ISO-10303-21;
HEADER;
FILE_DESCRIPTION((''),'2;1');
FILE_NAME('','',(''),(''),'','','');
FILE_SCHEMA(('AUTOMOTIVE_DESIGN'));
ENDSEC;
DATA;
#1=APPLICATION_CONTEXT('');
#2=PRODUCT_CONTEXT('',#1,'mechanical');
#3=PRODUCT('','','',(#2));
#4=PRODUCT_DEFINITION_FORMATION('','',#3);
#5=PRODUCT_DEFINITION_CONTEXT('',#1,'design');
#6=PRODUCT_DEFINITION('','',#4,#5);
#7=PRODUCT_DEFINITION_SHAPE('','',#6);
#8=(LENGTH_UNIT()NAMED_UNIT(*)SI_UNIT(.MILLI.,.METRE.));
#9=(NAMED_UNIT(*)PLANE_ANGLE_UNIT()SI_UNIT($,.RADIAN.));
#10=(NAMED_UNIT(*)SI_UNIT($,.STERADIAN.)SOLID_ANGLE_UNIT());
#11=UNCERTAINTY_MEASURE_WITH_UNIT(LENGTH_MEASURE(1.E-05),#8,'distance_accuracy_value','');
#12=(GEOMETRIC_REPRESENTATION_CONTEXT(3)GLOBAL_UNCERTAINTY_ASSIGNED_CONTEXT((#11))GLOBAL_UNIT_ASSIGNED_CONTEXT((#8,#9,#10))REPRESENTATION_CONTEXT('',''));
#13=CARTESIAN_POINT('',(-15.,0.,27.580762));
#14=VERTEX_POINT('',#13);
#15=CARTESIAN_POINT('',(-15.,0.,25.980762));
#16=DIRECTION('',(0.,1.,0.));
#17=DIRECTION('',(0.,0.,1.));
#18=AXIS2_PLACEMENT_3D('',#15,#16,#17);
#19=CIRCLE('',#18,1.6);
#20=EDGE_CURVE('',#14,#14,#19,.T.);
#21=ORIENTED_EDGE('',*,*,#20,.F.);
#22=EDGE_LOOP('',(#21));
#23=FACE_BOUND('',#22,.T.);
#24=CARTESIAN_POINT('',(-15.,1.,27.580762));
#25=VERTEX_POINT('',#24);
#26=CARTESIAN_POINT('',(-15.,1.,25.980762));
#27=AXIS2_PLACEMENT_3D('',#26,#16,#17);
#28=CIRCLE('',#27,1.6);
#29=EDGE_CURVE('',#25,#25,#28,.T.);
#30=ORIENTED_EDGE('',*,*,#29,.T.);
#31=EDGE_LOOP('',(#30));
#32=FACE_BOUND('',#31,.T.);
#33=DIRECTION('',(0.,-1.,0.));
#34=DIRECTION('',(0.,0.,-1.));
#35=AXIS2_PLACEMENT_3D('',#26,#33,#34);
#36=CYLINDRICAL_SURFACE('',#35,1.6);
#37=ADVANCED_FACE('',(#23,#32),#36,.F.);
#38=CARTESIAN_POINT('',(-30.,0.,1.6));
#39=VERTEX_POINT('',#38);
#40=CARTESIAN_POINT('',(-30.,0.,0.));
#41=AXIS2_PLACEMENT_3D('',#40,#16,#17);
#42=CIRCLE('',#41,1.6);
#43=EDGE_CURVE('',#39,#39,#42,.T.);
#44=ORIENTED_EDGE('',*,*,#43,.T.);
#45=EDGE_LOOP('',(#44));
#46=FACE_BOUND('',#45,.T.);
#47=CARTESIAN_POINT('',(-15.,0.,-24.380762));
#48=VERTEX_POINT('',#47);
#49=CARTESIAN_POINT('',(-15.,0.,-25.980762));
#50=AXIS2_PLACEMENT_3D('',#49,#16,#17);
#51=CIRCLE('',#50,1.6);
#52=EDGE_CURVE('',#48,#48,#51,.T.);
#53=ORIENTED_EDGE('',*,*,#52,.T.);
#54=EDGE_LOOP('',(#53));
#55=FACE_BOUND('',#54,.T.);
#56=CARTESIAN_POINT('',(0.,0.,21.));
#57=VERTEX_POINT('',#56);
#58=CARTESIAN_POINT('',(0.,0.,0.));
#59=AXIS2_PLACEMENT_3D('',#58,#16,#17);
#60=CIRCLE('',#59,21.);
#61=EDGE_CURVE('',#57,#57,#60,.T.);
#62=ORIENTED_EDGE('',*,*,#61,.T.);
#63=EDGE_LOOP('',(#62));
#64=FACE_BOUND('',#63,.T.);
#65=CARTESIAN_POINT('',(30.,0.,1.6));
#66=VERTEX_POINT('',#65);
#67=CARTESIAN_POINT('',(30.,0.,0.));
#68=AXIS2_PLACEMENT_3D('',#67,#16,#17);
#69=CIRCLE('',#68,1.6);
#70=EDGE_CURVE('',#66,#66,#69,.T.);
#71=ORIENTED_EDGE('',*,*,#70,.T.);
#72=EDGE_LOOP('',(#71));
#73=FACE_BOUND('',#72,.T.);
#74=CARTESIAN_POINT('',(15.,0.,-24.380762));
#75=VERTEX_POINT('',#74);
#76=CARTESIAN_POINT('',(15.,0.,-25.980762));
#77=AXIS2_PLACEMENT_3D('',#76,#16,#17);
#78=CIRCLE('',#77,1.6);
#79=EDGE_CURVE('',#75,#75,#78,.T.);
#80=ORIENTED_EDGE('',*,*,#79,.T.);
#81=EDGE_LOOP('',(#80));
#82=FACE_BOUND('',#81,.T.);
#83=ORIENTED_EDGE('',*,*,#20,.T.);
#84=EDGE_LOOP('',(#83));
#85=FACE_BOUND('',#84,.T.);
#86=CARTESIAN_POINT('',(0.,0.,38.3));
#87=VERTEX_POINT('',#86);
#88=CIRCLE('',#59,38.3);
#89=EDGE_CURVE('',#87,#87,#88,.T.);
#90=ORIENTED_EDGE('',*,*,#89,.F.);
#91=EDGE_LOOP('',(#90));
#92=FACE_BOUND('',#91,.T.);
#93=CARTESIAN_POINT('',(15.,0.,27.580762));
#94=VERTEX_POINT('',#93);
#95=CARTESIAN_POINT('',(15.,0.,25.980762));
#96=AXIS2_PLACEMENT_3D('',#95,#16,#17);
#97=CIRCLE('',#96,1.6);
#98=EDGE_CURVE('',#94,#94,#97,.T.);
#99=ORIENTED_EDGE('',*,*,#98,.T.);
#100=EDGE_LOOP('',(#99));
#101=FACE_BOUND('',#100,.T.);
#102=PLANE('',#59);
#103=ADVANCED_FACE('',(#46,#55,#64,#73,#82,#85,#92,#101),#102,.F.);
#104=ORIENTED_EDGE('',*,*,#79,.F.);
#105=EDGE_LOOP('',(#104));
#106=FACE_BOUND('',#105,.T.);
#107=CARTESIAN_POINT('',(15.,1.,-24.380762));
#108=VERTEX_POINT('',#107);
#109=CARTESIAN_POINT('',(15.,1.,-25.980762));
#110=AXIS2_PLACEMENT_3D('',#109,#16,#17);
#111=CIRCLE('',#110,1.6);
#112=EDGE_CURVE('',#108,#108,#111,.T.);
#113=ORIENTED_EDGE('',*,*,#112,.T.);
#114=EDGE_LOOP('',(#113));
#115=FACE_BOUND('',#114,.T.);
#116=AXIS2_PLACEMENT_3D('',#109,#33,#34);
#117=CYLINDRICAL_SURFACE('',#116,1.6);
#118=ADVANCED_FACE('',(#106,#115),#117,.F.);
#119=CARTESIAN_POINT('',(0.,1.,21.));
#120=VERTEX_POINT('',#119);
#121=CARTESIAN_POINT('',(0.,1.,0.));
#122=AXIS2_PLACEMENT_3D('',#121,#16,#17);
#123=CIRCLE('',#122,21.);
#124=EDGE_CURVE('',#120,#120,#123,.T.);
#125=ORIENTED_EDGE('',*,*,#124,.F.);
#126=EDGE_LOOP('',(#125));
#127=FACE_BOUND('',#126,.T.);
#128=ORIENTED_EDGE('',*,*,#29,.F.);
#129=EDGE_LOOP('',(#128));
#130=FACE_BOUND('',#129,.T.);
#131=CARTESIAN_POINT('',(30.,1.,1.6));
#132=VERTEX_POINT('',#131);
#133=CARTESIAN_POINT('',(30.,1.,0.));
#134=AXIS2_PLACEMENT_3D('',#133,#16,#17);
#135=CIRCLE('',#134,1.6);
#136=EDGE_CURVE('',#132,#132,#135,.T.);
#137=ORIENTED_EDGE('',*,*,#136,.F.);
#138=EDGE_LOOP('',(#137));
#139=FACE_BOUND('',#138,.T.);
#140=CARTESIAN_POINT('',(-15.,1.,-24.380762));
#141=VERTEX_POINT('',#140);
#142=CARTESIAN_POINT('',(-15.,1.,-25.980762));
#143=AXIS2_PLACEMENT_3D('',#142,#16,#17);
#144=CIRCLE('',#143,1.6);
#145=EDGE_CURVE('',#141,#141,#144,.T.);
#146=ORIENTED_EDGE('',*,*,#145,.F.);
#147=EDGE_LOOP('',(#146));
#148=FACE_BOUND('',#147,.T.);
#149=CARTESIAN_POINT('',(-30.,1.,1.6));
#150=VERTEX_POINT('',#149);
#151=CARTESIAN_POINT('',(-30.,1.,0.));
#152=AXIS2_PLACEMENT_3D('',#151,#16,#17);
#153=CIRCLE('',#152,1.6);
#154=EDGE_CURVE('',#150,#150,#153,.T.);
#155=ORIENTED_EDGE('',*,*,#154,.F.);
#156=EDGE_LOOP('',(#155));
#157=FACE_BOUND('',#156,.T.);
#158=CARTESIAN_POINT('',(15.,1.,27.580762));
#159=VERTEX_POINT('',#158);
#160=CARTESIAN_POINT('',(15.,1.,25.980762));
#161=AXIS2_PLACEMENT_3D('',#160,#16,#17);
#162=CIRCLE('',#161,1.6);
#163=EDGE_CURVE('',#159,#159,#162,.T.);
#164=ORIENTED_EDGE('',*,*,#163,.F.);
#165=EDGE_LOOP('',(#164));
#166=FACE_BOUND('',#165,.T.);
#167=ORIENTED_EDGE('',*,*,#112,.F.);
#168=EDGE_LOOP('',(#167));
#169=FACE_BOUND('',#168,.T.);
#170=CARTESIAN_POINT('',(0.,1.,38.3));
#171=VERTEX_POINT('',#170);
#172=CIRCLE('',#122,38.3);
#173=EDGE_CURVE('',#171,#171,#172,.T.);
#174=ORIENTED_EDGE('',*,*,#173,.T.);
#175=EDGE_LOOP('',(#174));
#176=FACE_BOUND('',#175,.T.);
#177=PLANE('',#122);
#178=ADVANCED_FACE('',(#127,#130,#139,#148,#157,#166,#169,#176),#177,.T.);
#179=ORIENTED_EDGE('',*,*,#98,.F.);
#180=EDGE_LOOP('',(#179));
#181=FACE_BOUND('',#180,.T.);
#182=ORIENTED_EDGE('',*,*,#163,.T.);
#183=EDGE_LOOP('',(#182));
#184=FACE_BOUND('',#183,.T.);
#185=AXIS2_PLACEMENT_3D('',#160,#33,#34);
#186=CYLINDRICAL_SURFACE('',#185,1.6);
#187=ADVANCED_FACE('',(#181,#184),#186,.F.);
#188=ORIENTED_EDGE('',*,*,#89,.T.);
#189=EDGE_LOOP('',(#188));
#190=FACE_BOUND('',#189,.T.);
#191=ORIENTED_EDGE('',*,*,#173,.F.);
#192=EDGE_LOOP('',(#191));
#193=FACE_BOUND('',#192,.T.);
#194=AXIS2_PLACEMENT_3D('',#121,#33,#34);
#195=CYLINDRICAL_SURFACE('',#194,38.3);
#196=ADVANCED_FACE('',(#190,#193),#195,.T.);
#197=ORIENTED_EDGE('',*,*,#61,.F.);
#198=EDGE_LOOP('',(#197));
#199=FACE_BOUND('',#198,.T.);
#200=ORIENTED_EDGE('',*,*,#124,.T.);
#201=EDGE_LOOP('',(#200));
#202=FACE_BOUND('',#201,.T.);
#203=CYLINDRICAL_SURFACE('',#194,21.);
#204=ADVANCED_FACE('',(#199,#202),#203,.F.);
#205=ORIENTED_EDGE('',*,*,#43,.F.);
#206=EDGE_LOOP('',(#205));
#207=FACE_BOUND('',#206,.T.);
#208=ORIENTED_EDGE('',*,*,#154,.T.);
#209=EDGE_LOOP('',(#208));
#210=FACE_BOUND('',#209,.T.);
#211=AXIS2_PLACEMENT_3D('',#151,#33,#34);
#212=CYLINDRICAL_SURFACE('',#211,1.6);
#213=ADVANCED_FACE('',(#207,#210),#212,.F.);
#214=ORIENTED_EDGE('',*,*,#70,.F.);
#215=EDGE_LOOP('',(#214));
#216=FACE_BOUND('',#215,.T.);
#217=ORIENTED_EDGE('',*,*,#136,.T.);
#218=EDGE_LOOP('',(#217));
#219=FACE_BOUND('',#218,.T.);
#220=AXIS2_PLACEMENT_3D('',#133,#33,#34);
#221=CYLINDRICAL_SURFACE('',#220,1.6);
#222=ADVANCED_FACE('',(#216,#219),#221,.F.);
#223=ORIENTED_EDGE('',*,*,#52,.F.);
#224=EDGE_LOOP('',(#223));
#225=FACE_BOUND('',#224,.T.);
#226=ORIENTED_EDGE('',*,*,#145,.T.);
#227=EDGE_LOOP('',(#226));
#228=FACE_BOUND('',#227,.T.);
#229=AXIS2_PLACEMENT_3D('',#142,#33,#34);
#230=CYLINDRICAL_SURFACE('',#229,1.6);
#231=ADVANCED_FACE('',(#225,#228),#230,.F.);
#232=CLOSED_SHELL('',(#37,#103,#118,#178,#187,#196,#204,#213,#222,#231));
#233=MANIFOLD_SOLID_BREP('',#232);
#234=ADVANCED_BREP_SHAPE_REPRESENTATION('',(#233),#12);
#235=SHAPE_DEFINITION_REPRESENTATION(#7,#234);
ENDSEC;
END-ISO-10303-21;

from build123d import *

# Parameters (mm, degrees)
SKETCH1_R           = 38.3
SKETCH1_R_2         = 1.6
SKETCH1_R_3         = 21
BOSS_EXTRUDE1_DEPTH = 1


with BuildPart() as part:
    # Sketch1 → Boss-Extrude1 (new body)
    with BuildSketch(Plane(origin=(0, 0, 0), x_dir=(1, 0, 0), z_dir=(0, 1, 0))):
        with Locations(Location((0, 0, 0), (0, 0, 270))):
            Circle(SKETCH1_R)
        with Locations(Location((30, 0, 0), (0, 0, 270))):
            Circle(SKETCH1_R_2, mode=Mode.SUBTRACT)
        with Locations(Location((0, 0, 0), (0, 0, 270))):
            Circle(SKETCH1_R_3, mode=Mode.SUBTRACT)
        with Locations(Location((15, -25.980762114, 0), (0, 0, 270))):
            Circle(SKETCH1_R_2, mode=Mode.SUBTRACT)
        with Locations(Location((-15, -25.980762114, 0), (0, 0, 270))):
            Circle(SKETCH1_R_2, mode=Mode.SUBTRACT)
        with Locations(Location((-30, 0, 0), (0, 0, 270))):
            Circle(SKETCH1_R_2, mode=Mode.SUBTRACT)
        with Locations(Location((-15, 25.980762114, 0), (0, 0, 270))):
            Circle(SKETCH1_R_2, mode=Mode.SUBTRACT)
        with Locations(Location((15, 25.980762114, 0), (0, 0, 270))):
            Circle(SKETCH1_R_2, mode=Mode.SUBTRACT)
    extrude(amount=BOSS_EXTRUDE1_DEPTH)


solid = part.part
